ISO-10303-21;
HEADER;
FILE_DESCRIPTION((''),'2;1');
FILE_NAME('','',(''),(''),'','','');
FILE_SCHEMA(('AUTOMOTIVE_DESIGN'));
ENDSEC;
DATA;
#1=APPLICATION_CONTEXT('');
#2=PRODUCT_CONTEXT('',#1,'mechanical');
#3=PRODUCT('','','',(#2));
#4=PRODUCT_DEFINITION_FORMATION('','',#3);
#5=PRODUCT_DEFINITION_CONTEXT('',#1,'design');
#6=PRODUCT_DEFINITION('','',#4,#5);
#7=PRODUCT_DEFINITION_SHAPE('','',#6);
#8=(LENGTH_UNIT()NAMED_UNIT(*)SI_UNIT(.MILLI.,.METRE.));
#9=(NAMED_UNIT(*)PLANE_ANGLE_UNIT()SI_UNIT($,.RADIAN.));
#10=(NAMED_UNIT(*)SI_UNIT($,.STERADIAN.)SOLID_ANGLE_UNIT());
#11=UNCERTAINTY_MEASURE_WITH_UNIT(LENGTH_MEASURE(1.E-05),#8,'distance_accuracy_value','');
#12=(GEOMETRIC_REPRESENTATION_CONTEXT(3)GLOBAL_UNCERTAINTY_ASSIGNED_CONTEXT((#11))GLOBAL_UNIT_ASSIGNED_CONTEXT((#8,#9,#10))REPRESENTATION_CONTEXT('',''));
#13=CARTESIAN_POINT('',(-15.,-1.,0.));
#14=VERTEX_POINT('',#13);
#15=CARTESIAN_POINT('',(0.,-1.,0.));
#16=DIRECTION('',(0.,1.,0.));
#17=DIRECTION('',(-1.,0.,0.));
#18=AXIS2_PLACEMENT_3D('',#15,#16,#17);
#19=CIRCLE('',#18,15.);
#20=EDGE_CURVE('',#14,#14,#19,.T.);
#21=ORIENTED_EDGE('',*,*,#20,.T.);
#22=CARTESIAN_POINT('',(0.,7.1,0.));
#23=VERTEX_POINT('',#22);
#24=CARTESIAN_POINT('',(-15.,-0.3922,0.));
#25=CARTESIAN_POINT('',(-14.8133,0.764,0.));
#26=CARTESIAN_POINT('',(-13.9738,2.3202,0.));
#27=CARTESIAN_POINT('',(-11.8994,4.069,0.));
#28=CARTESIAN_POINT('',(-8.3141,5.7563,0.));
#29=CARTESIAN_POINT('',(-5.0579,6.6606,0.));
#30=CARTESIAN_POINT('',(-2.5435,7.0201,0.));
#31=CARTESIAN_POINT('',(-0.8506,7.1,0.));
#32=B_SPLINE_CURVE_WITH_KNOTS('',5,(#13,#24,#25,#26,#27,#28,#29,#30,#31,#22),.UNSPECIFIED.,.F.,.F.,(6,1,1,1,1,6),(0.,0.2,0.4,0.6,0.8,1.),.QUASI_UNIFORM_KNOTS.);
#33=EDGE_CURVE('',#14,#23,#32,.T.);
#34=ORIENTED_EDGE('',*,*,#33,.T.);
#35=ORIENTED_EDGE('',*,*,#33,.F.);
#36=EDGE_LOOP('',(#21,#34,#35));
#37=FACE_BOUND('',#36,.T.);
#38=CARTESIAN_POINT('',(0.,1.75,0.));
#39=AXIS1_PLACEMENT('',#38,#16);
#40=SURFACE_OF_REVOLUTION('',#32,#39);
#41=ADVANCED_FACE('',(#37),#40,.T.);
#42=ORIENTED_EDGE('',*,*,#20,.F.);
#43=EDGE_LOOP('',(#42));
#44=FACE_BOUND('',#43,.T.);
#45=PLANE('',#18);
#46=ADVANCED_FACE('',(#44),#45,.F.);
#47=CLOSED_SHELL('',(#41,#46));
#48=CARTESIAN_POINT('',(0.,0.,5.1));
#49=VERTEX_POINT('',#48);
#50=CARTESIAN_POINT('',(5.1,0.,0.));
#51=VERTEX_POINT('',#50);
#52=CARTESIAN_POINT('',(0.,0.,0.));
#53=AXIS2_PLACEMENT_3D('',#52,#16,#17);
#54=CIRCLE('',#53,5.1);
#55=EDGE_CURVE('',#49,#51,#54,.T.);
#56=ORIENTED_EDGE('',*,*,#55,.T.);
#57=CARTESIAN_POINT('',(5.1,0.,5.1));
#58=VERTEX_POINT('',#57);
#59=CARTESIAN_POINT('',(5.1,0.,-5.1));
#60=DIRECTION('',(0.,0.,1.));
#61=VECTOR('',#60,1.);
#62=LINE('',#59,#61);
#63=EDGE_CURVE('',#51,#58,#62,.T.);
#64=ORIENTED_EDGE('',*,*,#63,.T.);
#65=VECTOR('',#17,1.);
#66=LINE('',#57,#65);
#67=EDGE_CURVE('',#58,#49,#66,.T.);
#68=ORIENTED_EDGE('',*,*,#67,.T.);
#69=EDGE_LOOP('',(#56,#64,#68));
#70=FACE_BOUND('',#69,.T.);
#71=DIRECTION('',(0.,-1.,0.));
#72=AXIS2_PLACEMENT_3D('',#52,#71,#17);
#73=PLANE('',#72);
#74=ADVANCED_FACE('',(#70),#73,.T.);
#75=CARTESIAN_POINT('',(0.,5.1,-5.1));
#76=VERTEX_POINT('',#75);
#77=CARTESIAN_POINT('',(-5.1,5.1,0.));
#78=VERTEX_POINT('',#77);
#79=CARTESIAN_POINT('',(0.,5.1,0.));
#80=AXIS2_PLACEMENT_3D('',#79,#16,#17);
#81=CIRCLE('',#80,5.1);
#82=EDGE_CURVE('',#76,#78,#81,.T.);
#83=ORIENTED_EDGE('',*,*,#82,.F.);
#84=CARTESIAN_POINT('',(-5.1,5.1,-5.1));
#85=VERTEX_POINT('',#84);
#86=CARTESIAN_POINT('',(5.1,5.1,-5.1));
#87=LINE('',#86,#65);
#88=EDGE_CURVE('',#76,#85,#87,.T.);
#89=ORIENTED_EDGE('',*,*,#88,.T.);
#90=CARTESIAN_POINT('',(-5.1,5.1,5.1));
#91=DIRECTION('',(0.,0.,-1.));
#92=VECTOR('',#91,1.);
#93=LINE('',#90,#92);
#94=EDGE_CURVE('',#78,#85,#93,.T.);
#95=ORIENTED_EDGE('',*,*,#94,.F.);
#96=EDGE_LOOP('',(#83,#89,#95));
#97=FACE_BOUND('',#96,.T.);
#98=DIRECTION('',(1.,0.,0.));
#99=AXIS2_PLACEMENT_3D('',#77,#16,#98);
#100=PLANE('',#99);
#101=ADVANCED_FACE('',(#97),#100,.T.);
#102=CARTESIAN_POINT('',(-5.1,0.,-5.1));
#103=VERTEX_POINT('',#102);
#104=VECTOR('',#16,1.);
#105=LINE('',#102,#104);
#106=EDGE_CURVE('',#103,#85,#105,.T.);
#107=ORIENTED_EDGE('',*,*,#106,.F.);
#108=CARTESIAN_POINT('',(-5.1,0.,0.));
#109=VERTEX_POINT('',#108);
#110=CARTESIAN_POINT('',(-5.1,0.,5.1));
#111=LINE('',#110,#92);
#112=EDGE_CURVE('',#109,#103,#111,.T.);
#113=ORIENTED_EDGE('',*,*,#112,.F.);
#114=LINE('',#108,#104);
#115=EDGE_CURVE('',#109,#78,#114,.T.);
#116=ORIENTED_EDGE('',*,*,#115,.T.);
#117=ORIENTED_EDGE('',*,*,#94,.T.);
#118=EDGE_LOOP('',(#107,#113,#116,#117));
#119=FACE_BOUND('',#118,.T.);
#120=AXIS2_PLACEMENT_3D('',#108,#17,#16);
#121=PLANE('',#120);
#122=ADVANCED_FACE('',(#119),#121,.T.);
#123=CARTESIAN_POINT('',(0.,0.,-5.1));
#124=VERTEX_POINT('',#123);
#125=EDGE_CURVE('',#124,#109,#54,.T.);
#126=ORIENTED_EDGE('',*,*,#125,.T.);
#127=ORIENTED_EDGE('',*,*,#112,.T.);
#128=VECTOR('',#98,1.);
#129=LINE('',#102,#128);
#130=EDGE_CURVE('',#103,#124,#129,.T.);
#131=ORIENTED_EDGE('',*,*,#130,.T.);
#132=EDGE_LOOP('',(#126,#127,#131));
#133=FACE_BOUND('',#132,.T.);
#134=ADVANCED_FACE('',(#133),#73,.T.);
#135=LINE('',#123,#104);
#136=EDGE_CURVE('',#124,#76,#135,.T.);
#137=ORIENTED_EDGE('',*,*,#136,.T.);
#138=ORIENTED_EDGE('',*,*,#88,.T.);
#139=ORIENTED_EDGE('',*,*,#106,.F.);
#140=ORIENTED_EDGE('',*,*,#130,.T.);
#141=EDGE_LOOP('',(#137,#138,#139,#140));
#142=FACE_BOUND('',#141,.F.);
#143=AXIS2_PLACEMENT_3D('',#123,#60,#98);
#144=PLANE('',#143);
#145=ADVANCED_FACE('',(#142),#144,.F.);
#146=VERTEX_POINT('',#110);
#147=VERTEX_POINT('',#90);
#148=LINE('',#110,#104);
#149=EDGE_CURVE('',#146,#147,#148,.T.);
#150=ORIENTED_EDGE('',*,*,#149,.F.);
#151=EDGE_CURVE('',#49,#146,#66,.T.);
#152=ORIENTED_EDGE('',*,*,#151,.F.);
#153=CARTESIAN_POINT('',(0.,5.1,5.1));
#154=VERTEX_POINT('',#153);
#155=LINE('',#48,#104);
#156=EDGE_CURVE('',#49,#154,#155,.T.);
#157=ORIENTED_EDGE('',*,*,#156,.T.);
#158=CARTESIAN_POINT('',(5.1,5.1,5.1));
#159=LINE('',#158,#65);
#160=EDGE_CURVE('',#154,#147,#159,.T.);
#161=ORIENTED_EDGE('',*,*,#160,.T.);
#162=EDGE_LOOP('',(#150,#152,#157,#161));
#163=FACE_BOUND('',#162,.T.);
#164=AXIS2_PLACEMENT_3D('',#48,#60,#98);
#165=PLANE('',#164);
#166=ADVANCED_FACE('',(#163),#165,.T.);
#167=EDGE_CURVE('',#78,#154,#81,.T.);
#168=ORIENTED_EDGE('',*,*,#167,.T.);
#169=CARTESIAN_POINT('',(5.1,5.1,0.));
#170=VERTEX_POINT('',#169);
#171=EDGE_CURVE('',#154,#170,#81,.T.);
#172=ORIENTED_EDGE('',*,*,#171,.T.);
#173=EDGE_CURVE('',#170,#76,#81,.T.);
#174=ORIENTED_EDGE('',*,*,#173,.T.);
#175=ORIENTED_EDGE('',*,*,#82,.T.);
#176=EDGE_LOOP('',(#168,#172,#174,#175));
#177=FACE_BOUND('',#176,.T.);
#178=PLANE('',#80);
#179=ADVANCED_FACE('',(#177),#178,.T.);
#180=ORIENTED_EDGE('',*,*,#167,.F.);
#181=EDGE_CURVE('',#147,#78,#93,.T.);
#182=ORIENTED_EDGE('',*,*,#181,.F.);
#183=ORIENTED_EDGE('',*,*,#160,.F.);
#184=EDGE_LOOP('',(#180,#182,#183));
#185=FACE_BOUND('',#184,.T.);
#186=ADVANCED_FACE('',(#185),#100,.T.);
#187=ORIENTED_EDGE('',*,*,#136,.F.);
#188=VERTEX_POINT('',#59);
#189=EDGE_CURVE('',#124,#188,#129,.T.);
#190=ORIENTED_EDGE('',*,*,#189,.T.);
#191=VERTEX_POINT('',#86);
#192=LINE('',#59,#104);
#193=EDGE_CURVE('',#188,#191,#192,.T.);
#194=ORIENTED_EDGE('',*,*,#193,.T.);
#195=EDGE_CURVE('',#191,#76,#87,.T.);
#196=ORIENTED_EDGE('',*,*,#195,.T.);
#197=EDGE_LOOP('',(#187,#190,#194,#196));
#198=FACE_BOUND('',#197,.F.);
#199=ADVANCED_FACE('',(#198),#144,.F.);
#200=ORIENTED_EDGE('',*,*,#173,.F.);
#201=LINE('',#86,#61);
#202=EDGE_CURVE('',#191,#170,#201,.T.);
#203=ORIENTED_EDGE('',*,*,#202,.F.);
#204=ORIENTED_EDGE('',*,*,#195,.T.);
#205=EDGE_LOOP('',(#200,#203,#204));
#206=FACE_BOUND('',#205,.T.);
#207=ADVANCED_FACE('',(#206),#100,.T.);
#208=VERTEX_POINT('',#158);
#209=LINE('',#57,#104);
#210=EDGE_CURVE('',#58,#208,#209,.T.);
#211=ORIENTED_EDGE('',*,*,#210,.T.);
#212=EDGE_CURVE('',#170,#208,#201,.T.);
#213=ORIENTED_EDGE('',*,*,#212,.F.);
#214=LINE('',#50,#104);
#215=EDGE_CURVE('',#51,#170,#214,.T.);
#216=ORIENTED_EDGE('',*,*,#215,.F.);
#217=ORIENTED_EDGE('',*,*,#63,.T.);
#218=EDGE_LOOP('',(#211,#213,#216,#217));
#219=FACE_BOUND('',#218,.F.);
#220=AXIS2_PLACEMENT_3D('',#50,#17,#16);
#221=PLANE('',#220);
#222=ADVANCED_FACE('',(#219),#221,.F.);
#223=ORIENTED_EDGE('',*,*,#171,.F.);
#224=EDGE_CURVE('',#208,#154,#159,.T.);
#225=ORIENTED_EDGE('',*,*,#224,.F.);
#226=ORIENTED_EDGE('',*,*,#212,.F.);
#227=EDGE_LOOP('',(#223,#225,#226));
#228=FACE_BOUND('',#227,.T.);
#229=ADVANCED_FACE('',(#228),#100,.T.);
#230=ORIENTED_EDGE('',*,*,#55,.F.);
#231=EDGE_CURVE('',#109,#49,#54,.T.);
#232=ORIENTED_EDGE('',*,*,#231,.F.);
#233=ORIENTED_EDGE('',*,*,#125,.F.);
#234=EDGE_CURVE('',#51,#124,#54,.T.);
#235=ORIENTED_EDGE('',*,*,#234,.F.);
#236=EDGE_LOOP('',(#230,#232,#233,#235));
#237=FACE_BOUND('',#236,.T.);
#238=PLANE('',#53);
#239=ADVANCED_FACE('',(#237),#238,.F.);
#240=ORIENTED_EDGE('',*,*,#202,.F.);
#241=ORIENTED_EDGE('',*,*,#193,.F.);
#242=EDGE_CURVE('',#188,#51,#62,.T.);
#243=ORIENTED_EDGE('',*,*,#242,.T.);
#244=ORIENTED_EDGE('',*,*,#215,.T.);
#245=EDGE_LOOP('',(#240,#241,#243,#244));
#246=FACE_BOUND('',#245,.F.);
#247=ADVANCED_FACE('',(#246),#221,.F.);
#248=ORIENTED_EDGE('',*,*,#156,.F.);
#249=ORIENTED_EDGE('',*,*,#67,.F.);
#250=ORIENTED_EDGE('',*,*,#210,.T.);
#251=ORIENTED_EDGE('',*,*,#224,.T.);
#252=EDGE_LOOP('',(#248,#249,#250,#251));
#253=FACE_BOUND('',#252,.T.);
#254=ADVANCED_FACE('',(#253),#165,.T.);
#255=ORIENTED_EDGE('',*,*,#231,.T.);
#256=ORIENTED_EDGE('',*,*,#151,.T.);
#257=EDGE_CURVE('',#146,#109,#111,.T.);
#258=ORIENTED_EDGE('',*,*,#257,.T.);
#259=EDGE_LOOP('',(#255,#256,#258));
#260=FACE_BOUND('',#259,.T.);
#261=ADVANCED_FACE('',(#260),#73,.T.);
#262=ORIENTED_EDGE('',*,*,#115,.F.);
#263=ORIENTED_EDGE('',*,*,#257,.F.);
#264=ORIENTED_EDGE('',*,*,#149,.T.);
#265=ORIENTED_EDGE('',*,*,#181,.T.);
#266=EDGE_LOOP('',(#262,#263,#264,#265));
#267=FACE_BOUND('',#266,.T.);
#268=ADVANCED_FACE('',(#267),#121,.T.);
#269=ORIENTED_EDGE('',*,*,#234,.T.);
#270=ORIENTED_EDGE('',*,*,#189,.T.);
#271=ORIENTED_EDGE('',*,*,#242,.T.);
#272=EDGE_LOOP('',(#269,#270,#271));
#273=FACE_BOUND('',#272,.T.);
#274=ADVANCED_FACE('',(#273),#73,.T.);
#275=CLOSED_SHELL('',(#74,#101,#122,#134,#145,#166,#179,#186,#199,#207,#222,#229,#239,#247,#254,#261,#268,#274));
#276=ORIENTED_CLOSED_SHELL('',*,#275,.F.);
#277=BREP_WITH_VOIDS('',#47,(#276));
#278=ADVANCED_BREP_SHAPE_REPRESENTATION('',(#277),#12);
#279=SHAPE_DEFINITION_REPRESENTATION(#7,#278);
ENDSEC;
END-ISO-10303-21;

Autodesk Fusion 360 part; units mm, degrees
sketch "Sketch1" plane through (0, 0, 0) normal (0, 0, 1) x (1, 0, 0)
  line L0 (0, 0) -> (-5.1, 0)
  line L1 (-5.1, 0) -> (-5.1, 5.1)
  line L2 (-5.1, 5.1) -> (0, 5.1)
  line L3 (0, 5.1) -> (0, 7.1)
  line L4 (0, 0) -> (0, -1)
  line L5 (0, -1) -> (-15, -1)
  spline S0 degree 5 poles (-15, -1) (-15, -0.3922) (-14.8133, 0.764) (-13.9738, 2.3202) (-11.8994, 4.069) (-8.3141, 5.7563) (-5.0579, 6.6606) (-2.5435, 7.0201) (-0.8506, 7.1) (0, 7.1) knots 0 0 0 0 0 0 0.2 0.4 0.6 0.8 1 1 1 1 1 1
  line L6 (-2.5, 7.1) -> (2.5, 7.1)
  line L7 (-15, -2.5) -> (-15, 0.5)
  line L8 (0, 2.5) -> (0, 20)
  line L9 (0, 0) -> (5.1, 0)
  spline S1 degree 5 poles (15, -1) (15, -0.3922) (14.8133, 0.764) (13.9738, 2.3202) (11.8994, 4.069) (8.3141, 5.7563) (5.0579, 6.6606) (2.5435, 7.0201) (0.8506, 7.1) (0, 7.1) knots 0 0 0 0 0 0 0.2 0.4 0.6 0.8 1 1 1 1 1 1
  line L10 (15, -2.5) -> (15, 0.5)
  line L11 (2.5, 7.1) -> (-2.5, 7.1)
  line L12 (0, -1) -> (15, -1)
  line L13 (0, 0) -> (0, -1)
  line L14 (5.1, 5.1) -> (0, 5.1)
  line L15 (0, 5.1) -> (0, 7.1)
  line L16 (5.1, 0) -> (5.1, 5.1)
  dimension "d1" = 5.1
  dimension "d2" = 5.1
  dimension "d3" = 2
  dimension "d4" = 1
  dimension "d5" = 15
revolve "Revolve1" add sketch "Sketch1" angle 360 about axis through (0, 1.75, 0) along (0, 1, 0) contours L0 L1 L2 L3 L4 L5 S0 L8 L13 L15
extrude "Extrude1" cut sketch "Sketch1" along normal mid plane 10.2 contours L0 L1 L2 L9 L14 L16
